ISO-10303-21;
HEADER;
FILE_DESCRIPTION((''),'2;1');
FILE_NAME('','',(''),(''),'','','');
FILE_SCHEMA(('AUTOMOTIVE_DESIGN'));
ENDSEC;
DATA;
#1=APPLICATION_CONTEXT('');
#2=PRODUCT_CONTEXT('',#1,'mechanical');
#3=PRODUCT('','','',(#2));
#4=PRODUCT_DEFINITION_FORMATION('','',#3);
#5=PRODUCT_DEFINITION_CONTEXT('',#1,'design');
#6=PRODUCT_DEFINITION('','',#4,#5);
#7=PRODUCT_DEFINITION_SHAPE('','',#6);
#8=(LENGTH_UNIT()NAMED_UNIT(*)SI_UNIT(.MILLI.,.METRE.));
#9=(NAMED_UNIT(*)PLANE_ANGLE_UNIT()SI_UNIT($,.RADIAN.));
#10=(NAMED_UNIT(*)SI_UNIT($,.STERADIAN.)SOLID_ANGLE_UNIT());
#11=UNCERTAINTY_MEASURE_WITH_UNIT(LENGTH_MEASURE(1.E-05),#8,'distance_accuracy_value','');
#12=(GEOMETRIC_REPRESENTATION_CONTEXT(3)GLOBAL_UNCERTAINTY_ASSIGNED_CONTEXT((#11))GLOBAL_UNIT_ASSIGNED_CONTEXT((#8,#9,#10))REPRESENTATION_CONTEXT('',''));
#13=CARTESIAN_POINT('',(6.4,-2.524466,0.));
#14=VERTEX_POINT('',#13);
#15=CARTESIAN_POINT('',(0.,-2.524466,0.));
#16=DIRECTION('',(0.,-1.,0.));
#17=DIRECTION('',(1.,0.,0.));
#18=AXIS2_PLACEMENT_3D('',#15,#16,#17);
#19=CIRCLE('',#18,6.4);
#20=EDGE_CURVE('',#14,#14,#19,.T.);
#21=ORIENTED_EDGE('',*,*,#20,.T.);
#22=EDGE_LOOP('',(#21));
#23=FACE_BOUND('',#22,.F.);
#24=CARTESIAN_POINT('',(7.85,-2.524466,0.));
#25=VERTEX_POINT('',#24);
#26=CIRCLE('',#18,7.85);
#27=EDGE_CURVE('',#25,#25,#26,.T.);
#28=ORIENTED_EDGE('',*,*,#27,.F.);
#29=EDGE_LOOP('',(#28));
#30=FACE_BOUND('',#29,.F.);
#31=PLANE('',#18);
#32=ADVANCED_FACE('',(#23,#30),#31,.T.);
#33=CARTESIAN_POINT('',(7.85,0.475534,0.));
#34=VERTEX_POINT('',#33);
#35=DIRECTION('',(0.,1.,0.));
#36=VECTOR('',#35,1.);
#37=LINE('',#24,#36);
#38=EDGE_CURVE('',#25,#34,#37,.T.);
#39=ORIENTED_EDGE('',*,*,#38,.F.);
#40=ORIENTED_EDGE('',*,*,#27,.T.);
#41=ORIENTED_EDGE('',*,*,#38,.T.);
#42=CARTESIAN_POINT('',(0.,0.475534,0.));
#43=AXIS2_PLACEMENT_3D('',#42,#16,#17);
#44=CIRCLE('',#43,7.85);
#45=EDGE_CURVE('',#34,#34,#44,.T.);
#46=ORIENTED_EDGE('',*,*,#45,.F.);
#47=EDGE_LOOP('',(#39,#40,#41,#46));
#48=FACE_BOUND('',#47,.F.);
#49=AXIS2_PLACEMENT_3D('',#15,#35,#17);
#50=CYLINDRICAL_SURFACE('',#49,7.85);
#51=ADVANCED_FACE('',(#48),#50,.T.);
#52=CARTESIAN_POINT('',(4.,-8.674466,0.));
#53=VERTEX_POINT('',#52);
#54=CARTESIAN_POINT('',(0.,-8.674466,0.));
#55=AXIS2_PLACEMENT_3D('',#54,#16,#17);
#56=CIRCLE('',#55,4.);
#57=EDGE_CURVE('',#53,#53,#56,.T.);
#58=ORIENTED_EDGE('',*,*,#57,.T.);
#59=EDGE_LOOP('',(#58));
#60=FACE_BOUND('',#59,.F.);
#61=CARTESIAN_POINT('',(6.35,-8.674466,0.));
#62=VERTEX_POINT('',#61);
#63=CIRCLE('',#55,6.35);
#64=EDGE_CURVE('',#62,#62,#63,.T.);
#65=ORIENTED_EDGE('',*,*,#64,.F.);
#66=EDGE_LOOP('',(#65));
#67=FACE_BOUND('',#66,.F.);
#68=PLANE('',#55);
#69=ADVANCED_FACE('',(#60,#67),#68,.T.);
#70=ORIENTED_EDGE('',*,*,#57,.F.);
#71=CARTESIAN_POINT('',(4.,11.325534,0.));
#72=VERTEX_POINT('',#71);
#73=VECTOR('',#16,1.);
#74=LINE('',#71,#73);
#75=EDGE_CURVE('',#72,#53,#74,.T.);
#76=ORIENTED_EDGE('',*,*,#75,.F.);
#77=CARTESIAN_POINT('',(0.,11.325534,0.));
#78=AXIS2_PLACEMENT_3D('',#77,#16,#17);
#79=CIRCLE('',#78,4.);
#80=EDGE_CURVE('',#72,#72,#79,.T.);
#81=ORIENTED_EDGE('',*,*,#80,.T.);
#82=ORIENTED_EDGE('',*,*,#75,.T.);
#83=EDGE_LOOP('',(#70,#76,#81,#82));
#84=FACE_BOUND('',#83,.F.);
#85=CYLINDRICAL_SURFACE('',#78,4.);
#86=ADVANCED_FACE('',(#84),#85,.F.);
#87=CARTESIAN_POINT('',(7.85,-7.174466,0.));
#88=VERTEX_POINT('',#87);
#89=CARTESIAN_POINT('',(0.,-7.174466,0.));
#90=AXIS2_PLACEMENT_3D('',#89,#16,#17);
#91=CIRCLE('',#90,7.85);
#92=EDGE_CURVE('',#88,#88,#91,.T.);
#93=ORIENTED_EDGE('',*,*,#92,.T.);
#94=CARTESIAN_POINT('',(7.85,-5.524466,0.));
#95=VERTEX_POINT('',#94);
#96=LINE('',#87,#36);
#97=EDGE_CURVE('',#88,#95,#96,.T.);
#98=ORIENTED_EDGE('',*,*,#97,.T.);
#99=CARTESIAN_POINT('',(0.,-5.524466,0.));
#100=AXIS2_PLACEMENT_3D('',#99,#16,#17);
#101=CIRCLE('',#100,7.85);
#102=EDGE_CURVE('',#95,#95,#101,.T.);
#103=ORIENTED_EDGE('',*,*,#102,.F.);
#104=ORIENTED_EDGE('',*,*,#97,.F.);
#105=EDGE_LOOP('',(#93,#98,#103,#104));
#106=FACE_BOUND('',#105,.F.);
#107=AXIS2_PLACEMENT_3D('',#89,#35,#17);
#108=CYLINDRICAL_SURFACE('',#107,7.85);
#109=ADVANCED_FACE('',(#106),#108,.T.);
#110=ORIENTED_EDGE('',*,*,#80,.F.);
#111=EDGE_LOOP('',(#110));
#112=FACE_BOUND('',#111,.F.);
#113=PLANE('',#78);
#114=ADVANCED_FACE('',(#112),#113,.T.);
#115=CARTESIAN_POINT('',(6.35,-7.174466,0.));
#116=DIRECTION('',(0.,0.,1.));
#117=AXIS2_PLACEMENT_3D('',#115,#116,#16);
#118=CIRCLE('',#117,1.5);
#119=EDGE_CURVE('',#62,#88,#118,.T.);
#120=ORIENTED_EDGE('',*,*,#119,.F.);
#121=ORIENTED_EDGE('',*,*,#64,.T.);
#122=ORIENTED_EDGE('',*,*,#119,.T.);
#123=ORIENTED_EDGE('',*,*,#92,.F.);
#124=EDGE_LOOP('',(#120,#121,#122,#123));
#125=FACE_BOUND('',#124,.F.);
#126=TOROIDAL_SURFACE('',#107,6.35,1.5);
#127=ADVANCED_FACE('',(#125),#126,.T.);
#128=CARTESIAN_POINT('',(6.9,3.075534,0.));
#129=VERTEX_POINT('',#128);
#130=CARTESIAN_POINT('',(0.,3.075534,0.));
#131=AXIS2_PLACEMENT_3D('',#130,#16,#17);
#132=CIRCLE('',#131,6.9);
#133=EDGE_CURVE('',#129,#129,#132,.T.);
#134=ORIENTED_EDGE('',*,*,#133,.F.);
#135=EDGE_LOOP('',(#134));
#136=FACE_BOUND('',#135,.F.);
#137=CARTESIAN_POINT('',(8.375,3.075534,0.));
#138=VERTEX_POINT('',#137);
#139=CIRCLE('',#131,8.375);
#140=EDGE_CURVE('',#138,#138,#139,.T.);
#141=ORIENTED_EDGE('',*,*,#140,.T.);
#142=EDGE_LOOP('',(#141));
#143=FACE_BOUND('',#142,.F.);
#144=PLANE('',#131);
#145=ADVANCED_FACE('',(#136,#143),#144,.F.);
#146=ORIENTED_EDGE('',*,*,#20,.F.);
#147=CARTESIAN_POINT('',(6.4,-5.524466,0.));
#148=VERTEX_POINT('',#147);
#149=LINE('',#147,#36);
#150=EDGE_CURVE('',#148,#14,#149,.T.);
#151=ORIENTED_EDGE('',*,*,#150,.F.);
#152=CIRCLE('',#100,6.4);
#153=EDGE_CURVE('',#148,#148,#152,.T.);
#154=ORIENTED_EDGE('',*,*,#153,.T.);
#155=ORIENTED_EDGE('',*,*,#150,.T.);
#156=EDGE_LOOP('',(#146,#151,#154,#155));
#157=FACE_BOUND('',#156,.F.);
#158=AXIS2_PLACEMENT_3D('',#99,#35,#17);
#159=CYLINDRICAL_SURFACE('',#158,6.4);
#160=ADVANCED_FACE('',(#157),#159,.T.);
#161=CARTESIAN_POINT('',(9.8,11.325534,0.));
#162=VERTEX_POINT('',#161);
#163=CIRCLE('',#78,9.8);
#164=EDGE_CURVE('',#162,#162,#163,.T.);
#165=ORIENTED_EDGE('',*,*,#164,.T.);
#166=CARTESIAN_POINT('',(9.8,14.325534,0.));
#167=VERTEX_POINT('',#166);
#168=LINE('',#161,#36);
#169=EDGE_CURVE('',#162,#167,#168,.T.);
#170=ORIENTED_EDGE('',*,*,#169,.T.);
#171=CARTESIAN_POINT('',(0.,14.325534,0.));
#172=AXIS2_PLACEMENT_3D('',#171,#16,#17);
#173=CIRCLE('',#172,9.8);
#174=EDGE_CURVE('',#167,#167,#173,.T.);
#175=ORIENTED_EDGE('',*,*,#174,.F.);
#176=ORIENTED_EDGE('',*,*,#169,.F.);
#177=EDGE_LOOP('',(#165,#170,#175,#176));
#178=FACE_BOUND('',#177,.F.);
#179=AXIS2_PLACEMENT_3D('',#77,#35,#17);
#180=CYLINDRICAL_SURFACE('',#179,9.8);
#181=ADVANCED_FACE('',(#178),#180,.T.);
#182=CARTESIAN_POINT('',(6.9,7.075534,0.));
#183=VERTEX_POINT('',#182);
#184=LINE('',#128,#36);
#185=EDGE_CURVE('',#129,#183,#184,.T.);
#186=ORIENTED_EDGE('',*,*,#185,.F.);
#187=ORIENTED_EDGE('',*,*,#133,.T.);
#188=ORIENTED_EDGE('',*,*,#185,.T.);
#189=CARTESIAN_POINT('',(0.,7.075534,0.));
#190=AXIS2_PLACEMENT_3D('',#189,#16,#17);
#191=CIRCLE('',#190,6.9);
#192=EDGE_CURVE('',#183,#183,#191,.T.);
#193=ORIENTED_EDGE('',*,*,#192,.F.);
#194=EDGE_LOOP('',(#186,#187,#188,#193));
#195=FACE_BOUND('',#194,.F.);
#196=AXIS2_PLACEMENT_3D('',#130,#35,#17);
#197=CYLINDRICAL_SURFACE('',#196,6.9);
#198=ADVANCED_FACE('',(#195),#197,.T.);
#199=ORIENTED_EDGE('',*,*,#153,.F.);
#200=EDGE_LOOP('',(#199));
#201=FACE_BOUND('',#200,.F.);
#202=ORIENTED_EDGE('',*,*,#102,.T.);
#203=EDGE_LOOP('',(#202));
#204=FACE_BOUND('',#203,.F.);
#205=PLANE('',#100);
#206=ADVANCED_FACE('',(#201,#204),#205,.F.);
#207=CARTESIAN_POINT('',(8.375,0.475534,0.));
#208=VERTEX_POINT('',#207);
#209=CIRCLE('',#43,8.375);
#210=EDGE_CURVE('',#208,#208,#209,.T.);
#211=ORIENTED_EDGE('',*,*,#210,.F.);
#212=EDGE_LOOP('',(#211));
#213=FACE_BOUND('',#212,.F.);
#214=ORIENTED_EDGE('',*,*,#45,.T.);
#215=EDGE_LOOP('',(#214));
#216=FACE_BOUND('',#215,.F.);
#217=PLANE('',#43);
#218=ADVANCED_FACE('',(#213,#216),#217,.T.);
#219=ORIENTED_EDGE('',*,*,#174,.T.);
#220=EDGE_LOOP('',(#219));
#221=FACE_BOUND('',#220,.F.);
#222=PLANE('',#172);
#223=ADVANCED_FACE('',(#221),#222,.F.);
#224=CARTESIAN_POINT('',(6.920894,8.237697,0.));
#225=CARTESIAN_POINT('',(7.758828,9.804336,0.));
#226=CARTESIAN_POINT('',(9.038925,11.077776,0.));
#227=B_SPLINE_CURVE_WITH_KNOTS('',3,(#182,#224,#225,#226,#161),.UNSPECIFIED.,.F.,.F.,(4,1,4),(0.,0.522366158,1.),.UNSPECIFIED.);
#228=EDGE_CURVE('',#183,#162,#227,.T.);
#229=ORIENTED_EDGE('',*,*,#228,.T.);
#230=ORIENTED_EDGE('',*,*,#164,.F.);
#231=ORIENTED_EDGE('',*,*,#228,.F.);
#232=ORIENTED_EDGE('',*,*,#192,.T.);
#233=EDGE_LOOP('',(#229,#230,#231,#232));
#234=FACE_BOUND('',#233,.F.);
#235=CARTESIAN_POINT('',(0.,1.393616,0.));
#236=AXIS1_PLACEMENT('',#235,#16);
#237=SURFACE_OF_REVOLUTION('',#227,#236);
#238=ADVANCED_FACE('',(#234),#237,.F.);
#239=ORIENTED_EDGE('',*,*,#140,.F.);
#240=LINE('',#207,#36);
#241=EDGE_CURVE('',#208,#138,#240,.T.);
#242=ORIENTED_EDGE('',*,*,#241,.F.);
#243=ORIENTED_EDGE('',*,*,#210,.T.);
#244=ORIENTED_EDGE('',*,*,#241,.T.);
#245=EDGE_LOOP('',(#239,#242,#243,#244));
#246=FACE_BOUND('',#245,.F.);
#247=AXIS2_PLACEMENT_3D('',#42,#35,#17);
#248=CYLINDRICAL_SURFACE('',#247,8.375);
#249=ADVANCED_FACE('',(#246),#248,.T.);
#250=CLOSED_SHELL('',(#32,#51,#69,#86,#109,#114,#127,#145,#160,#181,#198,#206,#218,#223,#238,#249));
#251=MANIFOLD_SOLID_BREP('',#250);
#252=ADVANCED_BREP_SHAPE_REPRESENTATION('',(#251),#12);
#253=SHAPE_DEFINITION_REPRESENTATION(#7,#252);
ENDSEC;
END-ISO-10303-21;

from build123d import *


with BuildPart() as f1:
    # F0 (on Top) → F1 (revolve)
    with BuildSketch(Plane.XY):
        with BuildLine():
            Line((4, -8.6744662112), (6.35, -8.6744662112))
            ThreePointArc((6.35, -8.6744662112), (7.4106601718, -8.235126383), (7.85, -7.1744662112))
            Line((7.85, -7.1744662112), (7.85, -5.5244662112))
            Line((7.85, -5.5244662112), (6.4, -5.5244662112))
            Line((6.4, -5.5244662112), (6.4, -2.5244662112))
            Line((6.4, -2.5244662112), (7.85, -2.5244662112))
            Line((7.85, -2.5244662112), (7.85, 0.4755337888))
            Line((7.85, 0.4755337888), (8.375, 0.4755337888))
            Line((8.375, 0.4755337888), (8.375, 3.0755337888))
            Line((8.375, 3.0755337888), (6.9, 3.0755337888))
            Line((6.9, 3.0755337888), (6.9, 7.0755337888))
            add(Edge.make_bspline(
                [(6.9, 7.0755337888), (6.9208938163, 8.2376973884), (7.7588275194, 9.8043361183), (9.0389247184, 11.0777755177), (9.8, 11.3255337888)],
                knots=[0, 0, 0, 0, 0.5223661577, 1, 1, 1, 1], degree=3))
            Line((9.8, 11.3255337888), (9.8, 14.3255337888))
            Line((9.8, 14.3255337888), (0, 14.3255337888))
            Line((0, 14.3255337888), (0, 11.3255337888))
            Line((0, 11.3255337888), (4, 11.3255337888))
            Line((4, 11.3255337888), (4, -8.6744662112))
        make_face()
    revolve(axis=Axis((0, 1.3936157085, 0), (0, -1, 0)))


solid = f1.part
